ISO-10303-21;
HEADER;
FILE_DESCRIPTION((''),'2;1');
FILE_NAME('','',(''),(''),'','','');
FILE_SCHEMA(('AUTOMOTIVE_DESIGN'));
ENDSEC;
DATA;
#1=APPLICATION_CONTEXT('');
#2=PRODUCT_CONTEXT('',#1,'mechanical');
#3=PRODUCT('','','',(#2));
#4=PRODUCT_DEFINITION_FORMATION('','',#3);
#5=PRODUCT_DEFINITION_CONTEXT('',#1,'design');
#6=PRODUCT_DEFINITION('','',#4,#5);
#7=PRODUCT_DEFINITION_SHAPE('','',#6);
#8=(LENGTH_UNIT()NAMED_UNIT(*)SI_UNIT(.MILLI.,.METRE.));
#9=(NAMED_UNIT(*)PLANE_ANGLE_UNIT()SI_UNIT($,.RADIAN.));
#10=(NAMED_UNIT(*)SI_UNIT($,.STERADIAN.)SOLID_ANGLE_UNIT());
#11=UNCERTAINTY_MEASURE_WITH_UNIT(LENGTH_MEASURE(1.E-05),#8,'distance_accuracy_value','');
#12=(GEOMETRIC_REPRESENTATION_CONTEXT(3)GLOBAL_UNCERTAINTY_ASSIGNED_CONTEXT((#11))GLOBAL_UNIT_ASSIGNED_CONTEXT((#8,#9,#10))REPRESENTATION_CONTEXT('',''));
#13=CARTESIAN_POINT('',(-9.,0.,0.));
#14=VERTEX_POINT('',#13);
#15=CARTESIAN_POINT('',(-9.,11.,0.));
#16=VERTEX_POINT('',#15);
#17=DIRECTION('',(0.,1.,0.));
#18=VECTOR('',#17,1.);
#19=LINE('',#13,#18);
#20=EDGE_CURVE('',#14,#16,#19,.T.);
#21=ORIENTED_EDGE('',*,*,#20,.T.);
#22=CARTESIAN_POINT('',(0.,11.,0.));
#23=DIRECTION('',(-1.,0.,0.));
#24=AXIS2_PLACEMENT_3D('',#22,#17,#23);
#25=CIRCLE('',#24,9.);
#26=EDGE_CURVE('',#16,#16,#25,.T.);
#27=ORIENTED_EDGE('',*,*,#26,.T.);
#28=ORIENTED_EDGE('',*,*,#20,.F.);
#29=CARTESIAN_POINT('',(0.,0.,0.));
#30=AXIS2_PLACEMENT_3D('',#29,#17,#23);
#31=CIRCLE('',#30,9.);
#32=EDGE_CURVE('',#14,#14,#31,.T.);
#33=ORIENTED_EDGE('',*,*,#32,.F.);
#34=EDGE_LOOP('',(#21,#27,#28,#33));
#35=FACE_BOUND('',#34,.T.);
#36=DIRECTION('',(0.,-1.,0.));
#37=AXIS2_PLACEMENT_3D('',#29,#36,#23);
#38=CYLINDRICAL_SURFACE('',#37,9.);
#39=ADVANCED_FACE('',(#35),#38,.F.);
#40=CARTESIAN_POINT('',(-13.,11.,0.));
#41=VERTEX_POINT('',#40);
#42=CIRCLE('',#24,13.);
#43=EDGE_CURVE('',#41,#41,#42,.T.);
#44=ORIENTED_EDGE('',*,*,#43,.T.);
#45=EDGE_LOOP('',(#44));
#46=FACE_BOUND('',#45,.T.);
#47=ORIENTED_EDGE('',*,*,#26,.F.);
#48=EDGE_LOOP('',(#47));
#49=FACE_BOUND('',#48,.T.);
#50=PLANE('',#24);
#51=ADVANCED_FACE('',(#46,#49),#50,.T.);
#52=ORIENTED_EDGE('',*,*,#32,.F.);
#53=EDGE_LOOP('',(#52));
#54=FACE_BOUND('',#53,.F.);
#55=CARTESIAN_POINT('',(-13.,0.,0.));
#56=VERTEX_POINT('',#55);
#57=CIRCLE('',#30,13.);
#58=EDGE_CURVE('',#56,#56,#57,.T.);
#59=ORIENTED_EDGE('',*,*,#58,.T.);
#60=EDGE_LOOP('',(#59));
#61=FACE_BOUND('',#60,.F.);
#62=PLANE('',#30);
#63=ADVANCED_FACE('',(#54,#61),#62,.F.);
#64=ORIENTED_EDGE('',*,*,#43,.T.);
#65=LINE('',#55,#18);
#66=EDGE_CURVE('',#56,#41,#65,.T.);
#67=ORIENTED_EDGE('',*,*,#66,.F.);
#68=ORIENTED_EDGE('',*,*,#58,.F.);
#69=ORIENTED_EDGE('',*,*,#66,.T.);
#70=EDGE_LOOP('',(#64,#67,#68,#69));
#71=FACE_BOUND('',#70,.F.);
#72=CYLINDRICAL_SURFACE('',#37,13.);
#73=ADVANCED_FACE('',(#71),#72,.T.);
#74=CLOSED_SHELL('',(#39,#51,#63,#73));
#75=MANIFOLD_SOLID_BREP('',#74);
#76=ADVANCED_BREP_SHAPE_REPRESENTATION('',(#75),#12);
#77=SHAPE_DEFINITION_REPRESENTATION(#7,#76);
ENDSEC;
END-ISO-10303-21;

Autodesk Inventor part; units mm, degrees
ref_plane "YZ Plane" through (0, 0, 0) normal (1, 0, 0) x (0, 1, 0)
ref_plane "XZ Plane" through (0, 0, 0) normal (0, 1, 0) x (-1, 0, 0)
ref_plane "XY Plane" through (0, 0, 0) normal (0, 0, 1) x (1, 0, 0)
sketch "Náčrt1" plane through (0, 0, 0) normal (0, 1, 0) x (-1, 0, 0)
  circle A0 centre (0, 0) radius 9
  circle A1 centre (0, 0) radius 13
  dimension "d0" = 18
  dimension "d1" = 26
extrude "Vysunutí1" add sketch "Náčrt1" along normal blind 11
properties part number "dist.kr."
